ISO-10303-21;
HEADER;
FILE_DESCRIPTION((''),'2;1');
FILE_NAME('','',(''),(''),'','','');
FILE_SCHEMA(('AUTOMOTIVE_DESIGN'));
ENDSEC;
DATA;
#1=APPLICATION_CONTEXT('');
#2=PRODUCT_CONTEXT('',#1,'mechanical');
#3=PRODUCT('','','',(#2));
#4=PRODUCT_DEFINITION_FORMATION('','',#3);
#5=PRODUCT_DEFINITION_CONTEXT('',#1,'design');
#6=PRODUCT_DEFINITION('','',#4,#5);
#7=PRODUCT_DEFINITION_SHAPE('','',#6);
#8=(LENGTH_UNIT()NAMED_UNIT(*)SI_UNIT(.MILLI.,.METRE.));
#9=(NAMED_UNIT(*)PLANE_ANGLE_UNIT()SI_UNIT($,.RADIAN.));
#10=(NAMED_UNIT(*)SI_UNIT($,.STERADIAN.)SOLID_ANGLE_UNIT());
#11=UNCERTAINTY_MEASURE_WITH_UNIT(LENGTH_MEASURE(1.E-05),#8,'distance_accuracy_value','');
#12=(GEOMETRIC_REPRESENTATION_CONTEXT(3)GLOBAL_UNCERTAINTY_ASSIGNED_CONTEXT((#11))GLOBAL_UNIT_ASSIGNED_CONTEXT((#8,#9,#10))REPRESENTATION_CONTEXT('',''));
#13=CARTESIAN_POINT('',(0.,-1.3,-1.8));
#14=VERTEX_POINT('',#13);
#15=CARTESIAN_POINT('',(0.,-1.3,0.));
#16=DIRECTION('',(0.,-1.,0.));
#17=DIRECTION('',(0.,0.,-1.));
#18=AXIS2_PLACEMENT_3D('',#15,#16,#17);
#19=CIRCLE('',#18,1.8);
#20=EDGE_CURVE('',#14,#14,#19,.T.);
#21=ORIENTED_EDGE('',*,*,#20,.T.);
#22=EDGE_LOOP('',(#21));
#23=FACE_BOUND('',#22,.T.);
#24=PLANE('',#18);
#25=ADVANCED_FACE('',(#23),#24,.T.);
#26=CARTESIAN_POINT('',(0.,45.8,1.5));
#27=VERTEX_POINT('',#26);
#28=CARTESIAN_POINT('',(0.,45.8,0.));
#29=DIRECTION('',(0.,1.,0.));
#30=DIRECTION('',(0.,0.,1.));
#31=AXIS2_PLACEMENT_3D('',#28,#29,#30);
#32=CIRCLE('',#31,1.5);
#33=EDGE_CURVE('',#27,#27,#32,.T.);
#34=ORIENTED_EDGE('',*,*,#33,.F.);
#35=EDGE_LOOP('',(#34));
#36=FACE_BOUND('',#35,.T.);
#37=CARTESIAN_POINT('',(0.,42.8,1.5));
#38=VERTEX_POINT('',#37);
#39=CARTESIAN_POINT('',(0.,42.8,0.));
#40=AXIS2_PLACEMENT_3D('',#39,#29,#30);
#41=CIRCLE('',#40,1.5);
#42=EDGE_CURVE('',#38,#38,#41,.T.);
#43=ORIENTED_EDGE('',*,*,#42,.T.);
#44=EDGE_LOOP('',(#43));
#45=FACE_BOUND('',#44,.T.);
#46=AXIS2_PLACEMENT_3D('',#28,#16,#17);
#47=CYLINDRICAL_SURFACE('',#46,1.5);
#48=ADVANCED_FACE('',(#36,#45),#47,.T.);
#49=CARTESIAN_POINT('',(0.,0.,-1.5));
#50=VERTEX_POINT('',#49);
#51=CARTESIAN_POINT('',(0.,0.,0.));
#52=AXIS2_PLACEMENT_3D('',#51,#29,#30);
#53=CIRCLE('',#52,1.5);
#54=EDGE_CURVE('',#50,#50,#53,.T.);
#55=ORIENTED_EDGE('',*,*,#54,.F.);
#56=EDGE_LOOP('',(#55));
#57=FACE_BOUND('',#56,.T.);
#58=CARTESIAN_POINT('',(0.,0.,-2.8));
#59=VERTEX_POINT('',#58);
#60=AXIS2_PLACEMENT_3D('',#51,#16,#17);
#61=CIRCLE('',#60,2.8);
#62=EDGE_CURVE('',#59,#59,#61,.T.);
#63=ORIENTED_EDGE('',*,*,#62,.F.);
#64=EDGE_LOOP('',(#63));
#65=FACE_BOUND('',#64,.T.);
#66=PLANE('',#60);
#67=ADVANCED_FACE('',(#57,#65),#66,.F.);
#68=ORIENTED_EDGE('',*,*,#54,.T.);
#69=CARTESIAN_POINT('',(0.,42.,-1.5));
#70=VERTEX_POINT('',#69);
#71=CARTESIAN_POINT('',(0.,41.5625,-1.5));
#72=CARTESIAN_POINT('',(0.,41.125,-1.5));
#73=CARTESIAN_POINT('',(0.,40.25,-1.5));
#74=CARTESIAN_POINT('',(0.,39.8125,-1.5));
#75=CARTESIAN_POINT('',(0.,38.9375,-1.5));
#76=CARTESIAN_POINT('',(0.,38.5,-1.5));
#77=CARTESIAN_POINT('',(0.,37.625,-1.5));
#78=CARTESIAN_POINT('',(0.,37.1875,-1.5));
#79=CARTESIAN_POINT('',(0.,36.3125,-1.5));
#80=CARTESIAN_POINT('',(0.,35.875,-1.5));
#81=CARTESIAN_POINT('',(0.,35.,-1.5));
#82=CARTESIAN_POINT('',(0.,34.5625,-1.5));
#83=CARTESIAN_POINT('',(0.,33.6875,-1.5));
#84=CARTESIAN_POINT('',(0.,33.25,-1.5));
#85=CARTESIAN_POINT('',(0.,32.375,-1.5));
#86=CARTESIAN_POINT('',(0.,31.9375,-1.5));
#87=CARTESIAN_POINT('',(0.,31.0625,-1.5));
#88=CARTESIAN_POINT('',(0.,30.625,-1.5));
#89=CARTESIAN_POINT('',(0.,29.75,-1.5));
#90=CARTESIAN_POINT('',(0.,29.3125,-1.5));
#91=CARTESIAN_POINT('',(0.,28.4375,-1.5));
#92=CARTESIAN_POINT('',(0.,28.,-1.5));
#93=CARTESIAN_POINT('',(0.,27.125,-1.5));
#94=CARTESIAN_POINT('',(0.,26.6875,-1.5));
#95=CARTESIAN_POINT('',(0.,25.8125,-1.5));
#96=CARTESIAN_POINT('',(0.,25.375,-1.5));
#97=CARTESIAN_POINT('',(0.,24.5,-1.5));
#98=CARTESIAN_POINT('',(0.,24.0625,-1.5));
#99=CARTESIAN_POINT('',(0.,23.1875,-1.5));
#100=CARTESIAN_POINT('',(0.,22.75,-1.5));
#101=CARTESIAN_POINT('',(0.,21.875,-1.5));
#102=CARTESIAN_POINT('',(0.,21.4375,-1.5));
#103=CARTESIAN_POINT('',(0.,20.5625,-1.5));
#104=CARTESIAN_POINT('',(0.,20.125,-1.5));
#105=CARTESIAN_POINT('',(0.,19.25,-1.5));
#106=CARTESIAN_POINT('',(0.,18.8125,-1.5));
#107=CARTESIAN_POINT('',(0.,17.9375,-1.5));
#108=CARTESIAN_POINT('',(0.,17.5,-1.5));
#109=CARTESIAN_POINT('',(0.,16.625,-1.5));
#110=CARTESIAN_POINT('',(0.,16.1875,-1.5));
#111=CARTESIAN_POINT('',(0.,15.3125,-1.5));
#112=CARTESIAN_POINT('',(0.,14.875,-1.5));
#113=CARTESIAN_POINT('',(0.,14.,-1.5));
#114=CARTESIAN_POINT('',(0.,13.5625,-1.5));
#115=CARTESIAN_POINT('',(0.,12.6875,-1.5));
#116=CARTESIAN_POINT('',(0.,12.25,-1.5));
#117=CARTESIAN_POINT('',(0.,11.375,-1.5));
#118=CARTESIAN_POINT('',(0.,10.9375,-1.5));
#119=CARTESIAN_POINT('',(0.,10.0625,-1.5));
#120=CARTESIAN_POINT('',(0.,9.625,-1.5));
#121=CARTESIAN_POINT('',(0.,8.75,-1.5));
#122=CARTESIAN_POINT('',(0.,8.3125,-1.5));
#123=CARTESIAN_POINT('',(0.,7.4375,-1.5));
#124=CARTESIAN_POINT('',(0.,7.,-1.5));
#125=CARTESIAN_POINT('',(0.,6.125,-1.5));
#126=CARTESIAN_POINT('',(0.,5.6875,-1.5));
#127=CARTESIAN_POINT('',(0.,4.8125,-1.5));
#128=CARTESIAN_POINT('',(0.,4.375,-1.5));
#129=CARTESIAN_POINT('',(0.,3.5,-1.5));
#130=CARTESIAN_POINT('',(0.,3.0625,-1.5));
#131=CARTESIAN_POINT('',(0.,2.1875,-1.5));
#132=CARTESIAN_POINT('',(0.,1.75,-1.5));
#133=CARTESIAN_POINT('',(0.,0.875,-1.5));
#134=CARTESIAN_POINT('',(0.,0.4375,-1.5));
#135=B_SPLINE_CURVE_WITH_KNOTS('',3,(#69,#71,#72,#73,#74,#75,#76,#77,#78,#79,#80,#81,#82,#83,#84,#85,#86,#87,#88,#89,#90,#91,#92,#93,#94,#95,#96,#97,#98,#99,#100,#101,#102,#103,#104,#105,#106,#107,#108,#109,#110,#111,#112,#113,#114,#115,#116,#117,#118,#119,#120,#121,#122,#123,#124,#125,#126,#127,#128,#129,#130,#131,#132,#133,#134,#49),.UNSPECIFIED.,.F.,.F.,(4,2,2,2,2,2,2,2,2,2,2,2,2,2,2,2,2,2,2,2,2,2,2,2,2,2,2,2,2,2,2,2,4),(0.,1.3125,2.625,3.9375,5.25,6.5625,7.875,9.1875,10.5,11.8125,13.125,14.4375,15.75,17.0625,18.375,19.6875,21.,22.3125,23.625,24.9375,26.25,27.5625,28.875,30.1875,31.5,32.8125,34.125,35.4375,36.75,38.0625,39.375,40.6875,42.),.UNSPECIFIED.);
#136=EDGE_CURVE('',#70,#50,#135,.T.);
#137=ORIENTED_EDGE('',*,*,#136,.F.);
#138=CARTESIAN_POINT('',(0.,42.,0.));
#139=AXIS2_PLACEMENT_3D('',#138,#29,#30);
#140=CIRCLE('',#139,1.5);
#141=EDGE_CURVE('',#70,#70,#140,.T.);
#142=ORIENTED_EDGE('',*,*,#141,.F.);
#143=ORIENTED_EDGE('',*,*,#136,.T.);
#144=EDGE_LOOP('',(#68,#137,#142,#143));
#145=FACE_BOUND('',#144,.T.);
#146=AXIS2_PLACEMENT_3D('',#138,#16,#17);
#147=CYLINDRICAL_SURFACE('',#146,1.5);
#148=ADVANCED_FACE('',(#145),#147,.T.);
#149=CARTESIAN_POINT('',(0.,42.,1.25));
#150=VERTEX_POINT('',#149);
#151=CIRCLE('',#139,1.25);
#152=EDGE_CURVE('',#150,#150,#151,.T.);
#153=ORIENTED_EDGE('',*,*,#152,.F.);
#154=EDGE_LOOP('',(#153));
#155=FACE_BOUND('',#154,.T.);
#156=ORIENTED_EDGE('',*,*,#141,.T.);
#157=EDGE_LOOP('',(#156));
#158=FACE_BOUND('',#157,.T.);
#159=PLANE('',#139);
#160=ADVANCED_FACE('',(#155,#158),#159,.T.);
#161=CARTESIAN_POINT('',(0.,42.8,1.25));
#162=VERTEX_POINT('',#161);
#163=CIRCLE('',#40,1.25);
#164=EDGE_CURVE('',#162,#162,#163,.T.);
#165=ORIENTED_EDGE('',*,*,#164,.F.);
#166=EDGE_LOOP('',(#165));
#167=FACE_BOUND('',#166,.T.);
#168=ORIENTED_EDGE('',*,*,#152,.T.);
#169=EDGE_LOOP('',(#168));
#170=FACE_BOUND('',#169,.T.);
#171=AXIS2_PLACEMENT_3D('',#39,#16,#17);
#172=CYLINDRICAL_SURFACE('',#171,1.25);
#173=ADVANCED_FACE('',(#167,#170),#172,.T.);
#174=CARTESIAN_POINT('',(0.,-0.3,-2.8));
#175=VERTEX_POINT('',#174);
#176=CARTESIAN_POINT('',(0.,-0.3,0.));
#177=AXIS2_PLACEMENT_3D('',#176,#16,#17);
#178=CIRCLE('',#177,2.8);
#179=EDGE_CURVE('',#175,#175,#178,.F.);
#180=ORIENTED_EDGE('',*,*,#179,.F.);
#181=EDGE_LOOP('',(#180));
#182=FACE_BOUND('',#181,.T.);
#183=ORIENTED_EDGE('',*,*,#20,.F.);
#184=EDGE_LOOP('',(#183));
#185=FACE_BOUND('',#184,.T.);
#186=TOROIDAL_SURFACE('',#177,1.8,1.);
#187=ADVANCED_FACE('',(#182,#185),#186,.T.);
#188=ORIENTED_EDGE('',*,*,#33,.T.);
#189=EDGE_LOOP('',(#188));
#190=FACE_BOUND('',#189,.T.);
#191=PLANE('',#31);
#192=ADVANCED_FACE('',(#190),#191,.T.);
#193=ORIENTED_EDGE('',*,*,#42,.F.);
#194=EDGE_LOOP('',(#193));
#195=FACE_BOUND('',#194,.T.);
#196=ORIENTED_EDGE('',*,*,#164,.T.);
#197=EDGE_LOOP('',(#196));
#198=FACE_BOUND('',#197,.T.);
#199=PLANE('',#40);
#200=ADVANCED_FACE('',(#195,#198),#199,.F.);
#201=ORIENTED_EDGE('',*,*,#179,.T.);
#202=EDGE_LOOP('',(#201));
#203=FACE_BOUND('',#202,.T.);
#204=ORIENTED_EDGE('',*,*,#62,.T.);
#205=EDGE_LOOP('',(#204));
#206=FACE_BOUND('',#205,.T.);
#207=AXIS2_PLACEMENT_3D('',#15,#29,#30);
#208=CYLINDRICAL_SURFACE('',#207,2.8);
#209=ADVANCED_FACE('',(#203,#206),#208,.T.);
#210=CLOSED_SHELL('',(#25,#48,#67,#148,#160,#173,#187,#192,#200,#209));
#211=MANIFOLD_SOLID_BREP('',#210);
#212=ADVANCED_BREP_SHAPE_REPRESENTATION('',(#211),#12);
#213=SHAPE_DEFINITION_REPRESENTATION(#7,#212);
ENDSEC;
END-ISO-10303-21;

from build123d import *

# Parameters (mm, degrees)
SKETCH_1_R      = 1.5
EXTRUDE_1_DEPTH = 42
SKETCH_2_R      = 1.25
EXTRUDE_2_DEPTH = 0.8
SKETCH_3_R      = 1.5
EXTRUDE_3_DEPTH = 3
SKETCH_4_R      = 2.8
EXTRUDE_4_DEPTH = 1.3
FILLET_1_R      = 1


with BuildPart() as part:
    # 草图1 → 凸台-拉伸1 (new body)
    with BuildSketch(Plane(origin=(0, 0, 0), x_dir=(1, 0, 0), z_dir=(0, 1, 0))):
        with Locations(Location((0, 0, 0), (0, 0, 90))):
            Circle(SKETCH_1_R)
    extrude(amount=EXTRUDE_1_DEPTH)

    # 草图2 → 凸台-拉伸2 (add)
    with BuildSketch(Plane(origin=(0, 42, 0), x_dir=(1, 0, 0), z_dir=(0, 1, 0))):
        with Locations(Location((0, 0, 0), (0, 0, 270))):
            Circle(SKETCH_2_R)
    extrude(amount=EXTRUDE_2_DEPTH)

    # 草图3 → 凸台-拉伸3 (add)
    with BuildSketch(Plane(origin=(0, 42.8, 0), x_dir=(1, 0, 0), z_dir=(0, 1, 0))):
        with Locations(Location((0, 0, 0), (0, 0, 90))):
            Circle(SKETCH_3_R)
    extrude(amount=EXTRUDE_3_DEPTH)

    # 草图4 → 凸台-拉伸4 (add)
    with BuildSketch(Plane.XZ):
        with Locations(Location((0, 0, 0), (0, 0, 270))):
            Circle(SKETCH_4_R)
    extrude(amount=EXTRUDE_4_DEPTH)

    # 圆角1
    fillet_1_edges = [part.edges().sort_by_distance(p)[0] for p in [
        (0, -1.3, 2.8),
    ]]
    fillet(fillet_1_edges, radius=FILLET_1_R)


solid = part.part
